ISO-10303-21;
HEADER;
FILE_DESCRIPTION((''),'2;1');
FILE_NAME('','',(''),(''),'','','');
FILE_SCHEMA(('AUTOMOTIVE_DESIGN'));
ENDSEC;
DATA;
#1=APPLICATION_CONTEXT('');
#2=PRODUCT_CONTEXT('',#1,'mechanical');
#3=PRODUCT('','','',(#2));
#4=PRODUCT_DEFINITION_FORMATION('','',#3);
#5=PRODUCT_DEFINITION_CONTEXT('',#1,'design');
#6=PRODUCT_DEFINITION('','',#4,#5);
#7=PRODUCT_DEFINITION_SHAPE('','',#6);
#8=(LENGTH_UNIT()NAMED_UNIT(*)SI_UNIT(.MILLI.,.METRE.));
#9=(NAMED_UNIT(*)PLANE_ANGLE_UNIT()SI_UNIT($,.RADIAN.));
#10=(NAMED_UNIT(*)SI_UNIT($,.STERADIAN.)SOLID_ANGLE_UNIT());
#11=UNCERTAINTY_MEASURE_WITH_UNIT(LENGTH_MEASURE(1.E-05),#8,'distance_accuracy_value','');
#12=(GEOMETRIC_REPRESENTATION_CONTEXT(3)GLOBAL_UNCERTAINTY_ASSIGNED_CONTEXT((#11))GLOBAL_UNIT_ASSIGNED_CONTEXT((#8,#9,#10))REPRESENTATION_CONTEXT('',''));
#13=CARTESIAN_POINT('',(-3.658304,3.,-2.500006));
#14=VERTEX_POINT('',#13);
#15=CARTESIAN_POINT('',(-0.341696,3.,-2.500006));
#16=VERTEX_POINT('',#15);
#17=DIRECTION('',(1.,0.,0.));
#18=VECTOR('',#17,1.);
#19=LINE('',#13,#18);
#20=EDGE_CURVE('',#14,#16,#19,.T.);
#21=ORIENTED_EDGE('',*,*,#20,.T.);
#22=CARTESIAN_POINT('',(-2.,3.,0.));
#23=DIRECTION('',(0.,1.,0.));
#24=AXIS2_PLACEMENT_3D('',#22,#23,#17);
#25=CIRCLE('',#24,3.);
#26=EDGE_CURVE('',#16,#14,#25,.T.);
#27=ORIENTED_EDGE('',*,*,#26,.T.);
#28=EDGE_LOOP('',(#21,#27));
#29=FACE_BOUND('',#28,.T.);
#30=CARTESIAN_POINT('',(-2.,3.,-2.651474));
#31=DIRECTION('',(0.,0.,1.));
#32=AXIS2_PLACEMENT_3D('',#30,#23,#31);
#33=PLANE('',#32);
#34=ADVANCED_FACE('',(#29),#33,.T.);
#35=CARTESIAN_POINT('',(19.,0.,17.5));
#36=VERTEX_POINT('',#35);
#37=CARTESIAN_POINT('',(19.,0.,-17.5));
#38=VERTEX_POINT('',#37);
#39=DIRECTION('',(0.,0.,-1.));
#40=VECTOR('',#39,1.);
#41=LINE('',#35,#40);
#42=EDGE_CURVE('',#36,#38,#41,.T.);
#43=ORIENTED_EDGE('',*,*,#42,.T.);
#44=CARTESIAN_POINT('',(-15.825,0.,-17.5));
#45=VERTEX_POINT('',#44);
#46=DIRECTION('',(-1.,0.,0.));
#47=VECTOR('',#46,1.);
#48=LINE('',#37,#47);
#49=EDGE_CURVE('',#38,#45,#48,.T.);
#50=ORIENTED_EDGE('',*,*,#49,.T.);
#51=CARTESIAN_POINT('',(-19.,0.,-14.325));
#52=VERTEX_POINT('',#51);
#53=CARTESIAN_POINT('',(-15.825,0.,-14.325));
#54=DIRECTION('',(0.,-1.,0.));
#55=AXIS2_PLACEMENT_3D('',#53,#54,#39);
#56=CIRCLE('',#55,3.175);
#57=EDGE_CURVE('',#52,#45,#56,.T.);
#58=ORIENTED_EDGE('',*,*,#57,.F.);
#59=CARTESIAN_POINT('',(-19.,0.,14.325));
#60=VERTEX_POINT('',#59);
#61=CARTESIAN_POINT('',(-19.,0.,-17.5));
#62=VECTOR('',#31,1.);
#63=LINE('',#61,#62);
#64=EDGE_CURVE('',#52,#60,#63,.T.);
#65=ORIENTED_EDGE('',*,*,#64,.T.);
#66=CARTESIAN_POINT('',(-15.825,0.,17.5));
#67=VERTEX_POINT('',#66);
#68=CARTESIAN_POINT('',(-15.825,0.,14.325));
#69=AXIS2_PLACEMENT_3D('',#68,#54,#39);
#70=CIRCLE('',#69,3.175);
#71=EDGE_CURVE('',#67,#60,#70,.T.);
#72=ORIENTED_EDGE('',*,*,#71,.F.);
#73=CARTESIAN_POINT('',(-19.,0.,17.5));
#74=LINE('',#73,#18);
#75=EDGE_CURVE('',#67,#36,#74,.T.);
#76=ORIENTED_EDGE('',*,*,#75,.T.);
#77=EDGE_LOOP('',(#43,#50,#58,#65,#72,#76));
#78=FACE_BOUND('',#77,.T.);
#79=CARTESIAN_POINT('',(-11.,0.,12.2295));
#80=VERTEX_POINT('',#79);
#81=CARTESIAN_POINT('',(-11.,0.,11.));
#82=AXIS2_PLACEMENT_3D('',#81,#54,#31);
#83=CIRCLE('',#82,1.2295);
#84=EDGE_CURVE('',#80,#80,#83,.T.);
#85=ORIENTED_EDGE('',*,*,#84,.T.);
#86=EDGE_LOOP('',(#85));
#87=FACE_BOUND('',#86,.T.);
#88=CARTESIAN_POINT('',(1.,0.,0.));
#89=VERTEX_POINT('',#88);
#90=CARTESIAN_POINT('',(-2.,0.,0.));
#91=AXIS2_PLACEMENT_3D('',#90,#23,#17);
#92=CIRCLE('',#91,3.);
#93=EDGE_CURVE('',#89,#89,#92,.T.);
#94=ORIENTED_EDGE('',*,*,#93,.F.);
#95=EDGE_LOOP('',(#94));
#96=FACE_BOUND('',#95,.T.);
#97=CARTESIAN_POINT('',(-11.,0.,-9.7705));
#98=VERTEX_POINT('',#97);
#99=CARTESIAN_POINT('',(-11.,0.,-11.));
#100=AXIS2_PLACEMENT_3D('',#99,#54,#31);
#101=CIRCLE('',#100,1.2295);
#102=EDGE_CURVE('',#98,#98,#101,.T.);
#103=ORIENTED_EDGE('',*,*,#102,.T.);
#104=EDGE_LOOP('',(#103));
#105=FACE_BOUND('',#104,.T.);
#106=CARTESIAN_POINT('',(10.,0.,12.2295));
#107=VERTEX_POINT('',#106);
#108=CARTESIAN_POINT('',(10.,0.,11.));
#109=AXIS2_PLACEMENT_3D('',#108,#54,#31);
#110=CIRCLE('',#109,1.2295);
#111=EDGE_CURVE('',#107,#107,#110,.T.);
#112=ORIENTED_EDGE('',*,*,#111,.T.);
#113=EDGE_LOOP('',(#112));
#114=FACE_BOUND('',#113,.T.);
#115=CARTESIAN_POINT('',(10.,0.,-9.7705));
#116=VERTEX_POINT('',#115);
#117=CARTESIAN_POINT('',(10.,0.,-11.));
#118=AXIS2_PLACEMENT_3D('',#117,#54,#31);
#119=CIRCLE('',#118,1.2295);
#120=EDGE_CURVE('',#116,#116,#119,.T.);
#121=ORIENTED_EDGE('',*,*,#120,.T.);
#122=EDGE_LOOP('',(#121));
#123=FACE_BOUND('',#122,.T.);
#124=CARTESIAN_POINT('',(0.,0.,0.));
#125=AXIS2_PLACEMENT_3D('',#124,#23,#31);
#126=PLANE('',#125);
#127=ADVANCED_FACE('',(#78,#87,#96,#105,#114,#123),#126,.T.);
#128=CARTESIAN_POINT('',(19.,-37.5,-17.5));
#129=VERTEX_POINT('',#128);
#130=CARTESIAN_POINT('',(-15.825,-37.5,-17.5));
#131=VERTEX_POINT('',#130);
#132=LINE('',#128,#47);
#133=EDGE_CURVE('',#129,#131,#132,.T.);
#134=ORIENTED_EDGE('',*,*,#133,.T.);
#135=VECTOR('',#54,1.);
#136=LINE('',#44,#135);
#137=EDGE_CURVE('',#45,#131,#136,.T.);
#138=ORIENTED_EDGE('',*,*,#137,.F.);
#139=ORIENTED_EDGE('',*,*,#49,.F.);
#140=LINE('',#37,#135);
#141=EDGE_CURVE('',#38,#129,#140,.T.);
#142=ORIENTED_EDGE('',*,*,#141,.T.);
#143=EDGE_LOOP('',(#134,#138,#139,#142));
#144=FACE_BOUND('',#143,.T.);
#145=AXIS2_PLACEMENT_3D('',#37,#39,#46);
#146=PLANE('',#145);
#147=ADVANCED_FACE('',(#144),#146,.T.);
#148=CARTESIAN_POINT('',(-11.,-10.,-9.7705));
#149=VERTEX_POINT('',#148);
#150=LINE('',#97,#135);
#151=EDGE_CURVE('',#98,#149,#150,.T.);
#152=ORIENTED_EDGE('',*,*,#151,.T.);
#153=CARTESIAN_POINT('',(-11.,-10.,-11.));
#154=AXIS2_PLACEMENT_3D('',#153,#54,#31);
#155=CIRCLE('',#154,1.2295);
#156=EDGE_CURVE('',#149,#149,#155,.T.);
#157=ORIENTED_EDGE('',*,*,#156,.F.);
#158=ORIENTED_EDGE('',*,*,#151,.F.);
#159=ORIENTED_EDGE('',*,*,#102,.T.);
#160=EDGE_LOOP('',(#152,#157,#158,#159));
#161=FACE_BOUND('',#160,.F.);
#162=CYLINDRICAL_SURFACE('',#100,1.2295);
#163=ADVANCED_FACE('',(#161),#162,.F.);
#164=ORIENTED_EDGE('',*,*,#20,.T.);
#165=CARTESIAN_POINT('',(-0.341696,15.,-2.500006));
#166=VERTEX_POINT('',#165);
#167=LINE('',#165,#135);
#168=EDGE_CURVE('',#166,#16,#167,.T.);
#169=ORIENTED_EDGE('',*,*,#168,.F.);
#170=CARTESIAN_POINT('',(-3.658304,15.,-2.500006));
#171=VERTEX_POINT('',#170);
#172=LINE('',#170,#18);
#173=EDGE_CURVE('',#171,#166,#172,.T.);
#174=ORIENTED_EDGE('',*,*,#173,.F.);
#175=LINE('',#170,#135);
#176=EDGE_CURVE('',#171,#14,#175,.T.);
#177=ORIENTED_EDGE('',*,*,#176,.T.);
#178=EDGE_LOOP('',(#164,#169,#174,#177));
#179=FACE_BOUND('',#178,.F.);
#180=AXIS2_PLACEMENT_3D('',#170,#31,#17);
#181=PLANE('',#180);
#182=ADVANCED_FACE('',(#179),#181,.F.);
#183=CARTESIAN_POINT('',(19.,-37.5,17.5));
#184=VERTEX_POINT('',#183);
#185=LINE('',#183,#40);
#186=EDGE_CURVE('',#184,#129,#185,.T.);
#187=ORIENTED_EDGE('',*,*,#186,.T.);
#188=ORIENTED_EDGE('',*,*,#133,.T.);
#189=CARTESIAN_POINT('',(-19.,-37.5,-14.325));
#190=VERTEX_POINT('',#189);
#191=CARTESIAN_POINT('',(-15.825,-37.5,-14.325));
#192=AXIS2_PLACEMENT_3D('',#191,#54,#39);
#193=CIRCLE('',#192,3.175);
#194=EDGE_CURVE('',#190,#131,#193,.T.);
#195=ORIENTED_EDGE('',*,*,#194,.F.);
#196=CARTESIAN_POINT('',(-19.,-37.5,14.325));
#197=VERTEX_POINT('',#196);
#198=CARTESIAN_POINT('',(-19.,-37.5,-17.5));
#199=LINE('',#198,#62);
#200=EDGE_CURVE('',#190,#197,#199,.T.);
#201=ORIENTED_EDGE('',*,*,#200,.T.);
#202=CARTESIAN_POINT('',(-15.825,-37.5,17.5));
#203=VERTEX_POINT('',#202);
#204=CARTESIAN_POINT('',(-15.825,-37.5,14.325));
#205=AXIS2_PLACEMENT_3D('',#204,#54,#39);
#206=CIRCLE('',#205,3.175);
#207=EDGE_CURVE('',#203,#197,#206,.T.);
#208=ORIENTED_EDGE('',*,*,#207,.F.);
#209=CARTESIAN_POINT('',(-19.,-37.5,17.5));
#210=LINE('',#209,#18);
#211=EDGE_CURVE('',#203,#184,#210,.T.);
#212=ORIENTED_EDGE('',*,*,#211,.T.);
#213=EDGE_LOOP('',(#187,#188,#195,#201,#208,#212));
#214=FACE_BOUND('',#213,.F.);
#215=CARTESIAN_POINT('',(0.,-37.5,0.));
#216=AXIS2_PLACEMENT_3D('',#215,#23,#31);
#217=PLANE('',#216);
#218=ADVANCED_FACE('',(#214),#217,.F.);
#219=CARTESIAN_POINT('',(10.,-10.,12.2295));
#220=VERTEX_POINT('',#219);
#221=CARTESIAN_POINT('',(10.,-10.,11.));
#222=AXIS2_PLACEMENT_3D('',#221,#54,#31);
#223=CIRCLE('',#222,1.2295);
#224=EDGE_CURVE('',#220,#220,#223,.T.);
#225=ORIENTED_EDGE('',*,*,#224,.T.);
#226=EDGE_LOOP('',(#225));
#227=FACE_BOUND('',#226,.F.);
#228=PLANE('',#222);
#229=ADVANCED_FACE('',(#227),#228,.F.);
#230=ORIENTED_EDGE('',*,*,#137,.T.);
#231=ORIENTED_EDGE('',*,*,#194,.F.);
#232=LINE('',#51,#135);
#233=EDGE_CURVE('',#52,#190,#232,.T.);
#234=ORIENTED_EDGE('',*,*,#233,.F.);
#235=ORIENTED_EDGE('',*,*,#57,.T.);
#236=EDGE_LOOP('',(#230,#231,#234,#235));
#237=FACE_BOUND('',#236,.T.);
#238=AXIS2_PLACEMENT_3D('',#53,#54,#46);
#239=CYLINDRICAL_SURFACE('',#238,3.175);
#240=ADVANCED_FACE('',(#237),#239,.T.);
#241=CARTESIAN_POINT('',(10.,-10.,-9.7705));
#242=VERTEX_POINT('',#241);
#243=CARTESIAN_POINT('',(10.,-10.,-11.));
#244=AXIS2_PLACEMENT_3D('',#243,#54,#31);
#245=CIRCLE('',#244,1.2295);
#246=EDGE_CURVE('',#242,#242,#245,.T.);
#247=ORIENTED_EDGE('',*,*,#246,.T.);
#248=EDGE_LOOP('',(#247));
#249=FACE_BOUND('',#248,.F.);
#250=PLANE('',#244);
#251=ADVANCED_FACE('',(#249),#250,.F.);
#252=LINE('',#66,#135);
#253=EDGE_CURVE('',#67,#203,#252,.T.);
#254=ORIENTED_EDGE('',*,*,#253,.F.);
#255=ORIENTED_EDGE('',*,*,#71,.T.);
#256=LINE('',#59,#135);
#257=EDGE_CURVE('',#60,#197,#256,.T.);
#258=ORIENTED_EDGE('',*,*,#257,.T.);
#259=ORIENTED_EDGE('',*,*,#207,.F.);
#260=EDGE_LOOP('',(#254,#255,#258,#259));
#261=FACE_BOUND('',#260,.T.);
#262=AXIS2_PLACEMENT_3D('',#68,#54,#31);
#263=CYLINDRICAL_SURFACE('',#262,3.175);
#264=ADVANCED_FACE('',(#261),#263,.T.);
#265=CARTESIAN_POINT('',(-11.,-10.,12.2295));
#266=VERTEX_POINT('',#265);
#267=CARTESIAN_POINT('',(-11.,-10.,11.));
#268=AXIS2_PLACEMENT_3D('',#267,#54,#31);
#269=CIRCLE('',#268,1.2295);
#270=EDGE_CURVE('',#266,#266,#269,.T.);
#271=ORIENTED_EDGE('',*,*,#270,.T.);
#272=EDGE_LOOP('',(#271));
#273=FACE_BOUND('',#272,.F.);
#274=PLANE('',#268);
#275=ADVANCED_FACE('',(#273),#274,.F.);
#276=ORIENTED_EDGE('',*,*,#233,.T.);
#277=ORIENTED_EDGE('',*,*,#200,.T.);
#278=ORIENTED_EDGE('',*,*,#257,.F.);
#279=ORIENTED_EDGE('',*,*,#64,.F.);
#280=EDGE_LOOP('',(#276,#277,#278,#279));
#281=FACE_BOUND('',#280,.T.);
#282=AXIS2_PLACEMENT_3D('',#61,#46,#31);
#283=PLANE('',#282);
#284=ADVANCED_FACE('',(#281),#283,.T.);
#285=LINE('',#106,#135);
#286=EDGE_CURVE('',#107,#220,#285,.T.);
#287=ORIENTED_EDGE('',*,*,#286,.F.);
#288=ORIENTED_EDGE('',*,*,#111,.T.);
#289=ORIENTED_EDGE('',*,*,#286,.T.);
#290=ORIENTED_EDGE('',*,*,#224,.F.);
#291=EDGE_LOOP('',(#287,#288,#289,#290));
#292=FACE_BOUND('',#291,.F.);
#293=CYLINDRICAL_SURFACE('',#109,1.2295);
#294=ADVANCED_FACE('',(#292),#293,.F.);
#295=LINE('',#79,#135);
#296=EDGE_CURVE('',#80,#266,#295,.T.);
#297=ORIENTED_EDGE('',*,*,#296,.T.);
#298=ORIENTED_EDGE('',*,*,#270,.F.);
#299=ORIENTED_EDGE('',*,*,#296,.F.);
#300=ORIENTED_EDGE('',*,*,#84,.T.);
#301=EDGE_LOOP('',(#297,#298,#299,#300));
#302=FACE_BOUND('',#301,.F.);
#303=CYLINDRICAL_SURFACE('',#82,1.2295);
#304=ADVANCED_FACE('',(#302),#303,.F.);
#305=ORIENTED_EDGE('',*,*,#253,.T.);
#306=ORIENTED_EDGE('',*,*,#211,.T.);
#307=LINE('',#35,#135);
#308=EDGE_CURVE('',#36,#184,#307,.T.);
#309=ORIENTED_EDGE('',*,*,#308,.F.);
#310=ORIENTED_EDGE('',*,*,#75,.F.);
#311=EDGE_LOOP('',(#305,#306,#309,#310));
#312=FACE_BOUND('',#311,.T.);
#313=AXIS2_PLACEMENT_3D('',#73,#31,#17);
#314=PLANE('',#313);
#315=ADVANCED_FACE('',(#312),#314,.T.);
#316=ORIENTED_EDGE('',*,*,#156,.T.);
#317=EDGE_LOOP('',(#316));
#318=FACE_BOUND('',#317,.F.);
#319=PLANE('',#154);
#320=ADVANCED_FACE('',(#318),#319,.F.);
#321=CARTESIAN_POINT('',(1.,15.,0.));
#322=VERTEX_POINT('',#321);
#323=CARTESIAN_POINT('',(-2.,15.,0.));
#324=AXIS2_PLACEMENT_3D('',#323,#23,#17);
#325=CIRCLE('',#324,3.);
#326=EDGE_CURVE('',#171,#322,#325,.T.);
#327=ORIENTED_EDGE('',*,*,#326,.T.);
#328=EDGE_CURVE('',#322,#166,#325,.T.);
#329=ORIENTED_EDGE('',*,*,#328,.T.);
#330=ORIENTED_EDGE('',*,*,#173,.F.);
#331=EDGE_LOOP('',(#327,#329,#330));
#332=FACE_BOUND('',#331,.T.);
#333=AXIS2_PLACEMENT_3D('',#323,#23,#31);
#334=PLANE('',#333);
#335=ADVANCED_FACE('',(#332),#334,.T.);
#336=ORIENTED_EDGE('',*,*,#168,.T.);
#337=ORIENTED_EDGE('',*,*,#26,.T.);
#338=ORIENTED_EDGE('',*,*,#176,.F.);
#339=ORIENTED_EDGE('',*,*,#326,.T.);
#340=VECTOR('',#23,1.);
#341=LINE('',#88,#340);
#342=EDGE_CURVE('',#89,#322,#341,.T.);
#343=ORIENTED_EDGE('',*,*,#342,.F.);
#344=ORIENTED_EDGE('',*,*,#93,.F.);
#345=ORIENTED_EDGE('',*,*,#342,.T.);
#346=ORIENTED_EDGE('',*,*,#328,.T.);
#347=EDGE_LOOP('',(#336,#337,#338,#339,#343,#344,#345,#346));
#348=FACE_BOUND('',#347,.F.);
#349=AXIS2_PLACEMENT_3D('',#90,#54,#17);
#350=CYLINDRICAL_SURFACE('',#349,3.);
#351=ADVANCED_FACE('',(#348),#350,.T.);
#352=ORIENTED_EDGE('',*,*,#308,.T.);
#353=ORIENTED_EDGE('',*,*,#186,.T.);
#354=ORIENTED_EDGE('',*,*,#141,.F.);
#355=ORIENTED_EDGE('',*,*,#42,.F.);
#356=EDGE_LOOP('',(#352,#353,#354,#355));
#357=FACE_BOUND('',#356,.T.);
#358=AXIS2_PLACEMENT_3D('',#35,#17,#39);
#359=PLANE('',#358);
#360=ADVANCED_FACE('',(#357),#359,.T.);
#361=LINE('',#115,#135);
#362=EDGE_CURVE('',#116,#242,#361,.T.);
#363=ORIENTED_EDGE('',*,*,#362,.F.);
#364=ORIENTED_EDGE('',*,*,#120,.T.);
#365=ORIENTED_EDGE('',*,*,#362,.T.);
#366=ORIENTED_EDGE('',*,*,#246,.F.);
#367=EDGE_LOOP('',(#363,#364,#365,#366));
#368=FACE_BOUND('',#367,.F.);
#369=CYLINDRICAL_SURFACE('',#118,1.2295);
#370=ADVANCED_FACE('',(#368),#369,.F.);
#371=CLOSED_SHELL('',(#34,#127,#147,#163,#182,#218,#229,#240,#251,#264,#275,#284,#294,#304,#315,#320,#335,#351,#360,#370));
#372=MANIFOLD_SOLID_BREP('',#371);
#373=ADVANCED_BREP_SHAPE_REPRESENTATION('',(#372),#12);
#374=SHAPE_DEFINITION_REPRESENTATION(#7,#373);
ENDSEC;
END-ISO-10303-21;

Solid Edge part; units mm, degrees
sketch "Sketch1" plane through (0, 0, 0) normal (0, -1, 0) x (1, 0, 0)
  line L0 (-19, 17.5) -> (19, 17.5)
  line L1 (19, 17.5) -> (19, -17.5)
  line L2 (19, -17.5) -> (-19, -17.5)
  line L3 (-19, -17.5) -> (-19, 17.5)
  dimension "D1" = 35
  dimension "D2" = 38
extrude "Protrusion1" add sketch "Sketch1" along normal blind 37.5
hole "Hole_1" at (10, 0, -11) direction (0, -1, 0) diameter 2.459 depth 10
hole "Hole1" at (-11, 0, 11) direction (0, -1, 0) diameter 2.459 depth 10
hole "Hole2" at (10, 0, 11) direction (0, -1, 0) diameter 2.459 depth 10
hole "Hole3" at (-11, 0, -11) direction (0, -1, 0) diameter 2.459 depth 10
fillet "Round_1" radius 3.175 2 edges at (-19, -18.75, -17.5) (-19, -18.75, 17.5)
sketch "Sketch2" plane through (0, 0, 0) normal (0, 1, 0) x (1, 0, 0)
  circle A0 centre (-2, 0) radius 3
  dimension "D1" = 6
  dimension "D2" = 17
extrude "ExtrudedProtrusion_3" add sketch "Sketch2" along normal blind 15
sketch "Sketch3" plane through (-2, 15, 0) normal (0, 1, 0) x (1, 0, 0)
  line L0 (-1.6583, 2.5) -> (1.6583, 2.5)
  arc A0 (1.6583, 2.5) -> (-1.6583, 2.5) centre (0, 0) ccw
extrude "ExtrudedCutout_1" cut sketch "Sketch3" against normal blind 12
